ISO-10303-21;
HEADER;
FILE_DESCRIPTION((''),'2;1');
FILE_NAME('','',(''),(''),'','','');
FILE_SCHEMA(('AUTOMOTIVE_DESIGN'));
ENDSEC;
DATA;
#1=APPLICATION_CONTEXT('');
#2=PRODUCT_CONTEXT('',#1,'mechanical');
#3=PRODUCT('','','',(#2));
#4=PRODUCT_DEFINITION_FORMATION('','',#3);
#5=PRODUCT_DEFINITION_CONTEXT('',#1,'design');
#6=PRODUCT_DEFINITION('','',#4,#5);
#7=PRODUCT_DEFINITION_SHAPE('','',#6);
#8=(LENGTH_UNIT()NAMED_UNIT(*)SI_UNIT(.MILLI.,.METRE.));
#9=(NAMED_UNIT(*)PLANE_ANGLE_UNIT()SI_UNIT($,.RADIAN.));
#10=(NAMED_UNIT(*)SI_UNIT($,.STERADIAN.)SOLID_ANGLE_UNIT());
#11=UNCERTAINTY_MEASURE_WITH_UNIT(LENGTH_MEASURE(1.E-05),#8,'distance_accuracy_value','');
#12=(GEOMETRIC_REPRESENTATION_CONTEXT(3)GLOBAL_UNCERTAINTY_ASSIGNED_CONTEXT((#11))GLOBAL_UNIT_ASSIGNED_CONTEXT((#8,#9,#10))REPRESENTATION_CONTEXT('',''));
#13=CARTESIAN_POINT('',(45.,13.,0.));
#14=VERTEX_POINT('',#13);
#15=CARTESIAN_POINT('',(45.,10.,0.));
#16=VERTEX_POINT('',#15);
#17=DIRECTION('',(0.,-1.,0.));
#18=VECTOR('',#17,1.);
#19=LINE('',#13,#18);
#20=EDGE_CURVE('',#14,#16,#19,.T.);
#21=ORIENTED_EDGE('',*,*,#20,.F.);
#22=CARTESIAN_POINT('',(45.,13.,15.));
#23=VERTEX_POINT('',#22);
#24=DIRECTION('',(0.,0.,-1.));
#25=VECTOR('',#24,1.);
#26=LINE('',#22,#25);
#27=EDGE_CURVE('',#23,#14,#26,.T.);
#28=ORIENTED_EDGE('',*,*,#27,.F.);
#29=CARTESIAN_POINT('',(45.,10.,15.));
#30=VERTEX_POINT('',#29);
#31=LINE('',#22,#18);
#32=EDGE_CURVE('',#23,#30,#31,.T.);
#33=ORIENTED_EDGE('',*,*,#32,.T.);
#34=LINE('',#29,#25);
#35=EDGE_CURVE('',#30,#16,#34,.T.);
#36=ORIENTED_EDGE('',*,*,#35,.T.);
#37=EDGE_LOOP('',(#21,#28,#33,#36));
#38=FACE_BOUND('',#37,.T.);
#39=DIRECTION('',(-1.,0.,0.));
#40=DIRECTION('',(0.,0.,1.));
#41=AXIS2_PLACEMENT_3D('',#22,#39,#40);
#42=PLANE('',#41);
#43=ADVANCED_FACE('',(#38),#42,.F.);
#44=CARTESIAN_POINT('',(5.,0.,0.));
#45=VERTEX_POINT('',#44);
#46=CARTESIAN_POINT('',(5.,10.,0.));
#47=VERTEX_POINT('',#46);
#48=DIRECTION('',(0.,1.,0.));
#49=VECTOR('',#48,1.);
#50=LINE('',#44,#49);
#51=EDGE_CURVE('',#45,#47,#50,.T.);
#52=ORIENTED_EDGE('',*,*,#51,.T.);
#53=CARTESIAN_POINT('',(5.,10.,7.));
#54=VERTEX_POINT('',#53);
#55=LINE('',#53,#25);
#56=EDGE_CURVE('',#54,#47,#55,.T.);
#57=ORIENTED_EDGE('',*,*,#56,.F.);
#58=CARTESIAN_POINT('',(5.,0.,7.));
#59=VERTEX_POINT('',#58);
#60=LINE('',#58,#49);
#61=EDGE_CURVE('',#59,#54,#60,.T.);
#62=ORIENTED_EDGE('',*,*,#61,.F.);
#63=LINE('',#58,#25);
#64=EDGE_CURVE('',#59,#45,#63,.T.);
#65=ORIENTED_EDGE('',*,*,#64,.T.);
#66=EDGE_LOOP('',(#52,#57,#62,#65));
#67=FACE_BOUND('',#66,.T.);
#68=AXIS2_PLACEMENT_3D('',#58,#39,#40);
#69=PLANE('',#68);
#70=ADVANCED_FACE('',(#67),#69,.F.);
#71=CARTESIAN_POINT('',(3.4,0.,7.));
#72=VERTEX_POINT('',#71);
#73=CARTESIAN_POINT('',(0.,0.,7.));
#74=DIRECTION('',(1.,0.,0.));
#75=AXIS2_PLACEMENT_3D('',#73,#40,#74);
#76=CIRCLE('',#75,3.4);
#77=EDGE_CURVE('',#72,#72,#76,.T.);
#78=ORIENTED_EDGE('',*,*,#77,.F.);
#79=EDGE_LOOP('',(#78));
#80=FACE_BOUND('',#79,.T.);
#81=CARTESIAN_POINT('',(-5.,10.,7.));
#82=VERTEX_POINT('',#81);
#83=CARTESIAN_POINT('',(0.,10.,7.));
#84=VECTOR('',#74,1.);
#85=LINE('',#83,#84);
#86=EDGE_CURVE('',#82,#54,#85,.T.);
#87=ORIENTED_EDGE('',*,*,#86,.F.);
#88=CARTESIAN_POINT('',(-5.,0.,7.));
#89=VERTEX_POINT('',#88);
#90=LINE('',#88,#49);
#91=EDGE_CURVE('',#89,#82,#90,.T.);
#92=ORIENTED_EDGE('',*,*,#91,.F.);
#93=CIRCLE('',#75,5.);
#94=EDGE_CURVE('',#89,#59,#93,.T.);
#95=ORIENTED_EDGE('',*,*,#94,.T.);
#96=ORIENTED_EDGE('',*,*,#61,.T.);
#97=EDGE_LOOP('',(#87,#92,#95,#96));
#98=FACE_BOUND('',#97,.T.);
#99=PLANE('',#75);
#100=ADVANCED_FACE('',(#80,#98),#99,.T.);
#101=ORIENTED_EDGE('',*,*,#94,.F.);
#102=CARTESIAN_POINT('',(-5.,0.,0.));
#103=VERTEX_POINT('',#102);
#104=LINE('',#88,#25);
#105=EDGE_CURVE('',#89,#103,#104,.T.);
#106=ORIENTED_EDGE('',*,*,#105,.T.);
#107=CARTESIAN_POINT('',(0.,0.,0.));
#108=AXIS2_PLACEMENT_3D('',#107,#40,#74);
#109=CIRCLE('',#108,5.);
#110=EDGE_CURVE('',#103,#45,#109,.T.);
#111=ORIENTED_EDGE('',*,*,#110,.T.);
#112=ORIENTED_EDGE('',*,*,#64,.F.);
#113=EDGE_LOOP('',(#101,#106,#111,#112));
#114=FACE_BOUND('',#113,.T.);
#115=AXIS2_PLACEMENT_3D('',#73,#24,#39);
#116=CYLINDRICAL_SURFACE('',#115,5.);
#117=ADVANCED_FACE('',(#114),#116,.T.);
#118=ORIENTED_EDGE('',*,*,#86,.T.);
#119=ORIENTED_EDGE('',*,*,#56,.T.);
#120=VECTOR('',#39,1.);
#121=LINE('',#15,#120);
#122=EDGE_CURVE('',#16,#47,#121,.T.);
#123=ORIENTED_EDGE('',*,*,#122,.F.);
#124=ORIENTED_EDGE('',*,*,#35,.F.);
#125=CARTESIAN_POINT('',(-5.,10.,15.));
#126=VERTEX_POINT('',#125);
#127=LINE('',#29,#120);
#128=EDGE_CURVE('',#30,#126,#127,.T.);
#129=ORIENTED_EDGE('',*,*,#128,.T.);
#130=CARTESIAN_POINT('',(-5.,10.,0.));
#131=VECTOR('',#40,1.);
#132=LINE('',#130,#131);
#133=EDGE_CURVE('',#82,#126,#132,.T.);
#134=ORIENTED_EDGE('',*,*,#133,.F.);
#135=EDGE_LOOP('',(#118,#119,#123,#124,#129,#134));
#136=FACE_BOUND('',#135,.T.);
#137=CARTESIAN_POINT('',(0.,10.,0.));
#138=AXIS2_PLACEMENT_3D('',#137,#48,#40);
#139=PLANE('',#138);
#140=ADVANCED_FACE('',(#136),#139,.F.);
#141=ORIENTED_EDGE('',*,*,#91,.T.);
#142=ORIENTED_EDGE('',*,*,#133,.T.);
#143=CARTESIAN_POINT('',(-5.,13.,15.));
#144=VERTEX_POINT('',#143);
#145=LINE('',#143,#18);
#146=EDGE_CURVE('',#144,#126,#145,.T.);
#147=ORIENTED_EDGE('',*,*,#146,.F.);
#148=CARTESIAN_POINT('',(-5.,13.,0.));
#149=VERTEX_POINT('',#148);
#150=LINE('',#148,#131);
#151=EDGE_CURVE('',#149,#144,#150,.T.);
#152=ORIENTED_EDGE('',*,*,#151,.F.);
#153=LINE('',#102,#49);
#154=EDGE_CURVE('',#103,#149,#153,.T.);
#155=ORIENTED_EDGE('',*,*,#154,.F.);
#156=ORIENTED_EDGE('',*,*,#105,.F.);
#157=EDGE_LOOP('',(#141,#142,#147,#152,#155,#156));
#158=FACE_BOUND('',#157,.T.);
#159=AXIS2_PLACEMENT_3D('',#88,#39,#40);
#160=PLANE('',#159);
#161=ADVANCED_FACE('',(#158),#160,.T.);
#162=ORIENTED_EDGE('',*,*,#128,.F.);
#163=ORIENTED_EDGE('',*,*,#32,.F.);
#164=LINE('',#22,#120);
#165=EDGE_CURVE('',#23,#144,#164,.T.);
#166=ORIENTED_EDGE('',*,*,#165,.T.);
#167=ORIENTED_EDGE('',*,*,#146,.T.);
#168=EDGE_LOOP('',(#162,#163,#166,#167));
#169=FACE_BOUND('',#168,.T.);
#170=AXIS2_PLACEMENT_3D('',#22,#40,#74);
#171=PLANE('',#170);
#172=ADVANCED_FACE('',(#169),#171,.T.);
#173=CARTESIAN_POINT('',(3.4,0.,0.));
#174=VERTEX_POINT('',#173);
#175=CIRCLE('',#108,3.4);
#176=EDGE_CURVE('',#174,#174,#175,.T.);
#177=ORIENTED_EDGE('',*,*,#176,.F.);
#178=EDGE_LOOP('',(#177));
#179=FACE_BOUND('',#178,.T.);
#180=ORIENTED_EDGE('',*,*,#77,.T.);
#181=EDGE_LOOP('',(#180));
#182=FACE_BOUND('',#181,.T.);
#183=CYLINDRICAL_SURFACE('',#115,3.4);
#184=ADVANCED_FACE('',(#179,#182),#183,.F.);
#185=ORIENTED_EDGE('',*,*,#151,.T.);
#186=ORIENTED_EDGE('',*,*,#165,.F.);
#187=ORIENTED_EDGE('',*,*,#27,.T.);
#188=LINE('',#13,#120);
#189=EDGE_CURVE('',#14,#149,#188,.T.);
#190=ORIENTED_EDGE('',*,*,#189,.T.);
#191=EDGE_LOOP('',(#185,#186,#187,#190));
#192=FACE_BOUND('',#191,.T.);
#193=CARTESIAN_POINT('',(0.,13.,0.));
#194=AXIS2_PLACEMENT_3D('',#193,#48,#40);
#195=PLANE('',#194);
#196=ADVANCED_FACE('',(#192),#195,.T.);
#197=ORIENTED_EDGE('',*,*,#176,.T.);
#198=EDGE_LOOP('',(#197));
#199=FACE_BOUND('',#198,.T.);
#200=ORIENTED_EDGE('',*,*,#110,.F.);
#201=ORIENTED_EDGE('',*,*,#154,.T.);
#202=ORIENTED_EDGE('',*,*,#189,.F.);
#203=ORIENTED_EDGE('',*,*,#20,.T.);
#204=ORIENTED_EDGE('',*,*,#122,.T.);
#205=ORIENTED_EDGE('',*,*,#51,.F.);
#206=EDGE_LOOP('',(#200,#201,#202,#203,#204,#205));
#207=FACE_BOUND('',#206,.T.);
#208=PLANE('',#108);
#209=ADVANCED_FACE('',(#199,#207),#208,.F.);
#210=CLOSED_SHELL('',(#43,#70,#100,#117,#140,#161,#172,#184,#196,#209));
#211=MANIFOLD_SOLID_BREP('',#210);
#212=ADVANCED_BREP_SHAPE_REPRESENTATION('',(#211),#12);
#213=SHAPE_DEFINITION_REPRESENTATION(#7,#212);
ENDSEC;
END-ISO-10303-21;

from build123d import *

# Parameters (mm, degrees)
SKETCH_1_R      = 3.4
EXTRUDE_1_DEPTH = 7
SKETCH_2_W      = 50
SKETCH_2_H      = 15
EXTRUDE_2_DEPTH = 3


with BuildPart() as part:
    # 草图1 → 凸台-拉伸1 (new body)
    with BuildSketch(Plane.XY):
        with BuildLine():
            Line((-5, 0), (-5, 10))
            Line((-5, 10), (5, 10))
            Line((5, 10), (5, 0))
            ThreePointArc((5, 0), (0, -5), (-5, 0))
        make_face()
        Circle(SKETCH_1_R, mode=Mode.SUBTRACT)
    extrude(amount=EXTRUDE_1_DEPTH)

    # 草图2 → 凸台-拉伸2 (add)
    with BuildSketch(Plane(origin=(0, 10, 0), x_dir=(1, 0, 0), z_dir=(0, 1, 0))):
        with Locations((20, -7.5)):
            Rectangle(SKETCH_2_W, SKETCH_2_H)
    extrude(amount=EXTRUDE_2_DEPTH)


solid = part.part
